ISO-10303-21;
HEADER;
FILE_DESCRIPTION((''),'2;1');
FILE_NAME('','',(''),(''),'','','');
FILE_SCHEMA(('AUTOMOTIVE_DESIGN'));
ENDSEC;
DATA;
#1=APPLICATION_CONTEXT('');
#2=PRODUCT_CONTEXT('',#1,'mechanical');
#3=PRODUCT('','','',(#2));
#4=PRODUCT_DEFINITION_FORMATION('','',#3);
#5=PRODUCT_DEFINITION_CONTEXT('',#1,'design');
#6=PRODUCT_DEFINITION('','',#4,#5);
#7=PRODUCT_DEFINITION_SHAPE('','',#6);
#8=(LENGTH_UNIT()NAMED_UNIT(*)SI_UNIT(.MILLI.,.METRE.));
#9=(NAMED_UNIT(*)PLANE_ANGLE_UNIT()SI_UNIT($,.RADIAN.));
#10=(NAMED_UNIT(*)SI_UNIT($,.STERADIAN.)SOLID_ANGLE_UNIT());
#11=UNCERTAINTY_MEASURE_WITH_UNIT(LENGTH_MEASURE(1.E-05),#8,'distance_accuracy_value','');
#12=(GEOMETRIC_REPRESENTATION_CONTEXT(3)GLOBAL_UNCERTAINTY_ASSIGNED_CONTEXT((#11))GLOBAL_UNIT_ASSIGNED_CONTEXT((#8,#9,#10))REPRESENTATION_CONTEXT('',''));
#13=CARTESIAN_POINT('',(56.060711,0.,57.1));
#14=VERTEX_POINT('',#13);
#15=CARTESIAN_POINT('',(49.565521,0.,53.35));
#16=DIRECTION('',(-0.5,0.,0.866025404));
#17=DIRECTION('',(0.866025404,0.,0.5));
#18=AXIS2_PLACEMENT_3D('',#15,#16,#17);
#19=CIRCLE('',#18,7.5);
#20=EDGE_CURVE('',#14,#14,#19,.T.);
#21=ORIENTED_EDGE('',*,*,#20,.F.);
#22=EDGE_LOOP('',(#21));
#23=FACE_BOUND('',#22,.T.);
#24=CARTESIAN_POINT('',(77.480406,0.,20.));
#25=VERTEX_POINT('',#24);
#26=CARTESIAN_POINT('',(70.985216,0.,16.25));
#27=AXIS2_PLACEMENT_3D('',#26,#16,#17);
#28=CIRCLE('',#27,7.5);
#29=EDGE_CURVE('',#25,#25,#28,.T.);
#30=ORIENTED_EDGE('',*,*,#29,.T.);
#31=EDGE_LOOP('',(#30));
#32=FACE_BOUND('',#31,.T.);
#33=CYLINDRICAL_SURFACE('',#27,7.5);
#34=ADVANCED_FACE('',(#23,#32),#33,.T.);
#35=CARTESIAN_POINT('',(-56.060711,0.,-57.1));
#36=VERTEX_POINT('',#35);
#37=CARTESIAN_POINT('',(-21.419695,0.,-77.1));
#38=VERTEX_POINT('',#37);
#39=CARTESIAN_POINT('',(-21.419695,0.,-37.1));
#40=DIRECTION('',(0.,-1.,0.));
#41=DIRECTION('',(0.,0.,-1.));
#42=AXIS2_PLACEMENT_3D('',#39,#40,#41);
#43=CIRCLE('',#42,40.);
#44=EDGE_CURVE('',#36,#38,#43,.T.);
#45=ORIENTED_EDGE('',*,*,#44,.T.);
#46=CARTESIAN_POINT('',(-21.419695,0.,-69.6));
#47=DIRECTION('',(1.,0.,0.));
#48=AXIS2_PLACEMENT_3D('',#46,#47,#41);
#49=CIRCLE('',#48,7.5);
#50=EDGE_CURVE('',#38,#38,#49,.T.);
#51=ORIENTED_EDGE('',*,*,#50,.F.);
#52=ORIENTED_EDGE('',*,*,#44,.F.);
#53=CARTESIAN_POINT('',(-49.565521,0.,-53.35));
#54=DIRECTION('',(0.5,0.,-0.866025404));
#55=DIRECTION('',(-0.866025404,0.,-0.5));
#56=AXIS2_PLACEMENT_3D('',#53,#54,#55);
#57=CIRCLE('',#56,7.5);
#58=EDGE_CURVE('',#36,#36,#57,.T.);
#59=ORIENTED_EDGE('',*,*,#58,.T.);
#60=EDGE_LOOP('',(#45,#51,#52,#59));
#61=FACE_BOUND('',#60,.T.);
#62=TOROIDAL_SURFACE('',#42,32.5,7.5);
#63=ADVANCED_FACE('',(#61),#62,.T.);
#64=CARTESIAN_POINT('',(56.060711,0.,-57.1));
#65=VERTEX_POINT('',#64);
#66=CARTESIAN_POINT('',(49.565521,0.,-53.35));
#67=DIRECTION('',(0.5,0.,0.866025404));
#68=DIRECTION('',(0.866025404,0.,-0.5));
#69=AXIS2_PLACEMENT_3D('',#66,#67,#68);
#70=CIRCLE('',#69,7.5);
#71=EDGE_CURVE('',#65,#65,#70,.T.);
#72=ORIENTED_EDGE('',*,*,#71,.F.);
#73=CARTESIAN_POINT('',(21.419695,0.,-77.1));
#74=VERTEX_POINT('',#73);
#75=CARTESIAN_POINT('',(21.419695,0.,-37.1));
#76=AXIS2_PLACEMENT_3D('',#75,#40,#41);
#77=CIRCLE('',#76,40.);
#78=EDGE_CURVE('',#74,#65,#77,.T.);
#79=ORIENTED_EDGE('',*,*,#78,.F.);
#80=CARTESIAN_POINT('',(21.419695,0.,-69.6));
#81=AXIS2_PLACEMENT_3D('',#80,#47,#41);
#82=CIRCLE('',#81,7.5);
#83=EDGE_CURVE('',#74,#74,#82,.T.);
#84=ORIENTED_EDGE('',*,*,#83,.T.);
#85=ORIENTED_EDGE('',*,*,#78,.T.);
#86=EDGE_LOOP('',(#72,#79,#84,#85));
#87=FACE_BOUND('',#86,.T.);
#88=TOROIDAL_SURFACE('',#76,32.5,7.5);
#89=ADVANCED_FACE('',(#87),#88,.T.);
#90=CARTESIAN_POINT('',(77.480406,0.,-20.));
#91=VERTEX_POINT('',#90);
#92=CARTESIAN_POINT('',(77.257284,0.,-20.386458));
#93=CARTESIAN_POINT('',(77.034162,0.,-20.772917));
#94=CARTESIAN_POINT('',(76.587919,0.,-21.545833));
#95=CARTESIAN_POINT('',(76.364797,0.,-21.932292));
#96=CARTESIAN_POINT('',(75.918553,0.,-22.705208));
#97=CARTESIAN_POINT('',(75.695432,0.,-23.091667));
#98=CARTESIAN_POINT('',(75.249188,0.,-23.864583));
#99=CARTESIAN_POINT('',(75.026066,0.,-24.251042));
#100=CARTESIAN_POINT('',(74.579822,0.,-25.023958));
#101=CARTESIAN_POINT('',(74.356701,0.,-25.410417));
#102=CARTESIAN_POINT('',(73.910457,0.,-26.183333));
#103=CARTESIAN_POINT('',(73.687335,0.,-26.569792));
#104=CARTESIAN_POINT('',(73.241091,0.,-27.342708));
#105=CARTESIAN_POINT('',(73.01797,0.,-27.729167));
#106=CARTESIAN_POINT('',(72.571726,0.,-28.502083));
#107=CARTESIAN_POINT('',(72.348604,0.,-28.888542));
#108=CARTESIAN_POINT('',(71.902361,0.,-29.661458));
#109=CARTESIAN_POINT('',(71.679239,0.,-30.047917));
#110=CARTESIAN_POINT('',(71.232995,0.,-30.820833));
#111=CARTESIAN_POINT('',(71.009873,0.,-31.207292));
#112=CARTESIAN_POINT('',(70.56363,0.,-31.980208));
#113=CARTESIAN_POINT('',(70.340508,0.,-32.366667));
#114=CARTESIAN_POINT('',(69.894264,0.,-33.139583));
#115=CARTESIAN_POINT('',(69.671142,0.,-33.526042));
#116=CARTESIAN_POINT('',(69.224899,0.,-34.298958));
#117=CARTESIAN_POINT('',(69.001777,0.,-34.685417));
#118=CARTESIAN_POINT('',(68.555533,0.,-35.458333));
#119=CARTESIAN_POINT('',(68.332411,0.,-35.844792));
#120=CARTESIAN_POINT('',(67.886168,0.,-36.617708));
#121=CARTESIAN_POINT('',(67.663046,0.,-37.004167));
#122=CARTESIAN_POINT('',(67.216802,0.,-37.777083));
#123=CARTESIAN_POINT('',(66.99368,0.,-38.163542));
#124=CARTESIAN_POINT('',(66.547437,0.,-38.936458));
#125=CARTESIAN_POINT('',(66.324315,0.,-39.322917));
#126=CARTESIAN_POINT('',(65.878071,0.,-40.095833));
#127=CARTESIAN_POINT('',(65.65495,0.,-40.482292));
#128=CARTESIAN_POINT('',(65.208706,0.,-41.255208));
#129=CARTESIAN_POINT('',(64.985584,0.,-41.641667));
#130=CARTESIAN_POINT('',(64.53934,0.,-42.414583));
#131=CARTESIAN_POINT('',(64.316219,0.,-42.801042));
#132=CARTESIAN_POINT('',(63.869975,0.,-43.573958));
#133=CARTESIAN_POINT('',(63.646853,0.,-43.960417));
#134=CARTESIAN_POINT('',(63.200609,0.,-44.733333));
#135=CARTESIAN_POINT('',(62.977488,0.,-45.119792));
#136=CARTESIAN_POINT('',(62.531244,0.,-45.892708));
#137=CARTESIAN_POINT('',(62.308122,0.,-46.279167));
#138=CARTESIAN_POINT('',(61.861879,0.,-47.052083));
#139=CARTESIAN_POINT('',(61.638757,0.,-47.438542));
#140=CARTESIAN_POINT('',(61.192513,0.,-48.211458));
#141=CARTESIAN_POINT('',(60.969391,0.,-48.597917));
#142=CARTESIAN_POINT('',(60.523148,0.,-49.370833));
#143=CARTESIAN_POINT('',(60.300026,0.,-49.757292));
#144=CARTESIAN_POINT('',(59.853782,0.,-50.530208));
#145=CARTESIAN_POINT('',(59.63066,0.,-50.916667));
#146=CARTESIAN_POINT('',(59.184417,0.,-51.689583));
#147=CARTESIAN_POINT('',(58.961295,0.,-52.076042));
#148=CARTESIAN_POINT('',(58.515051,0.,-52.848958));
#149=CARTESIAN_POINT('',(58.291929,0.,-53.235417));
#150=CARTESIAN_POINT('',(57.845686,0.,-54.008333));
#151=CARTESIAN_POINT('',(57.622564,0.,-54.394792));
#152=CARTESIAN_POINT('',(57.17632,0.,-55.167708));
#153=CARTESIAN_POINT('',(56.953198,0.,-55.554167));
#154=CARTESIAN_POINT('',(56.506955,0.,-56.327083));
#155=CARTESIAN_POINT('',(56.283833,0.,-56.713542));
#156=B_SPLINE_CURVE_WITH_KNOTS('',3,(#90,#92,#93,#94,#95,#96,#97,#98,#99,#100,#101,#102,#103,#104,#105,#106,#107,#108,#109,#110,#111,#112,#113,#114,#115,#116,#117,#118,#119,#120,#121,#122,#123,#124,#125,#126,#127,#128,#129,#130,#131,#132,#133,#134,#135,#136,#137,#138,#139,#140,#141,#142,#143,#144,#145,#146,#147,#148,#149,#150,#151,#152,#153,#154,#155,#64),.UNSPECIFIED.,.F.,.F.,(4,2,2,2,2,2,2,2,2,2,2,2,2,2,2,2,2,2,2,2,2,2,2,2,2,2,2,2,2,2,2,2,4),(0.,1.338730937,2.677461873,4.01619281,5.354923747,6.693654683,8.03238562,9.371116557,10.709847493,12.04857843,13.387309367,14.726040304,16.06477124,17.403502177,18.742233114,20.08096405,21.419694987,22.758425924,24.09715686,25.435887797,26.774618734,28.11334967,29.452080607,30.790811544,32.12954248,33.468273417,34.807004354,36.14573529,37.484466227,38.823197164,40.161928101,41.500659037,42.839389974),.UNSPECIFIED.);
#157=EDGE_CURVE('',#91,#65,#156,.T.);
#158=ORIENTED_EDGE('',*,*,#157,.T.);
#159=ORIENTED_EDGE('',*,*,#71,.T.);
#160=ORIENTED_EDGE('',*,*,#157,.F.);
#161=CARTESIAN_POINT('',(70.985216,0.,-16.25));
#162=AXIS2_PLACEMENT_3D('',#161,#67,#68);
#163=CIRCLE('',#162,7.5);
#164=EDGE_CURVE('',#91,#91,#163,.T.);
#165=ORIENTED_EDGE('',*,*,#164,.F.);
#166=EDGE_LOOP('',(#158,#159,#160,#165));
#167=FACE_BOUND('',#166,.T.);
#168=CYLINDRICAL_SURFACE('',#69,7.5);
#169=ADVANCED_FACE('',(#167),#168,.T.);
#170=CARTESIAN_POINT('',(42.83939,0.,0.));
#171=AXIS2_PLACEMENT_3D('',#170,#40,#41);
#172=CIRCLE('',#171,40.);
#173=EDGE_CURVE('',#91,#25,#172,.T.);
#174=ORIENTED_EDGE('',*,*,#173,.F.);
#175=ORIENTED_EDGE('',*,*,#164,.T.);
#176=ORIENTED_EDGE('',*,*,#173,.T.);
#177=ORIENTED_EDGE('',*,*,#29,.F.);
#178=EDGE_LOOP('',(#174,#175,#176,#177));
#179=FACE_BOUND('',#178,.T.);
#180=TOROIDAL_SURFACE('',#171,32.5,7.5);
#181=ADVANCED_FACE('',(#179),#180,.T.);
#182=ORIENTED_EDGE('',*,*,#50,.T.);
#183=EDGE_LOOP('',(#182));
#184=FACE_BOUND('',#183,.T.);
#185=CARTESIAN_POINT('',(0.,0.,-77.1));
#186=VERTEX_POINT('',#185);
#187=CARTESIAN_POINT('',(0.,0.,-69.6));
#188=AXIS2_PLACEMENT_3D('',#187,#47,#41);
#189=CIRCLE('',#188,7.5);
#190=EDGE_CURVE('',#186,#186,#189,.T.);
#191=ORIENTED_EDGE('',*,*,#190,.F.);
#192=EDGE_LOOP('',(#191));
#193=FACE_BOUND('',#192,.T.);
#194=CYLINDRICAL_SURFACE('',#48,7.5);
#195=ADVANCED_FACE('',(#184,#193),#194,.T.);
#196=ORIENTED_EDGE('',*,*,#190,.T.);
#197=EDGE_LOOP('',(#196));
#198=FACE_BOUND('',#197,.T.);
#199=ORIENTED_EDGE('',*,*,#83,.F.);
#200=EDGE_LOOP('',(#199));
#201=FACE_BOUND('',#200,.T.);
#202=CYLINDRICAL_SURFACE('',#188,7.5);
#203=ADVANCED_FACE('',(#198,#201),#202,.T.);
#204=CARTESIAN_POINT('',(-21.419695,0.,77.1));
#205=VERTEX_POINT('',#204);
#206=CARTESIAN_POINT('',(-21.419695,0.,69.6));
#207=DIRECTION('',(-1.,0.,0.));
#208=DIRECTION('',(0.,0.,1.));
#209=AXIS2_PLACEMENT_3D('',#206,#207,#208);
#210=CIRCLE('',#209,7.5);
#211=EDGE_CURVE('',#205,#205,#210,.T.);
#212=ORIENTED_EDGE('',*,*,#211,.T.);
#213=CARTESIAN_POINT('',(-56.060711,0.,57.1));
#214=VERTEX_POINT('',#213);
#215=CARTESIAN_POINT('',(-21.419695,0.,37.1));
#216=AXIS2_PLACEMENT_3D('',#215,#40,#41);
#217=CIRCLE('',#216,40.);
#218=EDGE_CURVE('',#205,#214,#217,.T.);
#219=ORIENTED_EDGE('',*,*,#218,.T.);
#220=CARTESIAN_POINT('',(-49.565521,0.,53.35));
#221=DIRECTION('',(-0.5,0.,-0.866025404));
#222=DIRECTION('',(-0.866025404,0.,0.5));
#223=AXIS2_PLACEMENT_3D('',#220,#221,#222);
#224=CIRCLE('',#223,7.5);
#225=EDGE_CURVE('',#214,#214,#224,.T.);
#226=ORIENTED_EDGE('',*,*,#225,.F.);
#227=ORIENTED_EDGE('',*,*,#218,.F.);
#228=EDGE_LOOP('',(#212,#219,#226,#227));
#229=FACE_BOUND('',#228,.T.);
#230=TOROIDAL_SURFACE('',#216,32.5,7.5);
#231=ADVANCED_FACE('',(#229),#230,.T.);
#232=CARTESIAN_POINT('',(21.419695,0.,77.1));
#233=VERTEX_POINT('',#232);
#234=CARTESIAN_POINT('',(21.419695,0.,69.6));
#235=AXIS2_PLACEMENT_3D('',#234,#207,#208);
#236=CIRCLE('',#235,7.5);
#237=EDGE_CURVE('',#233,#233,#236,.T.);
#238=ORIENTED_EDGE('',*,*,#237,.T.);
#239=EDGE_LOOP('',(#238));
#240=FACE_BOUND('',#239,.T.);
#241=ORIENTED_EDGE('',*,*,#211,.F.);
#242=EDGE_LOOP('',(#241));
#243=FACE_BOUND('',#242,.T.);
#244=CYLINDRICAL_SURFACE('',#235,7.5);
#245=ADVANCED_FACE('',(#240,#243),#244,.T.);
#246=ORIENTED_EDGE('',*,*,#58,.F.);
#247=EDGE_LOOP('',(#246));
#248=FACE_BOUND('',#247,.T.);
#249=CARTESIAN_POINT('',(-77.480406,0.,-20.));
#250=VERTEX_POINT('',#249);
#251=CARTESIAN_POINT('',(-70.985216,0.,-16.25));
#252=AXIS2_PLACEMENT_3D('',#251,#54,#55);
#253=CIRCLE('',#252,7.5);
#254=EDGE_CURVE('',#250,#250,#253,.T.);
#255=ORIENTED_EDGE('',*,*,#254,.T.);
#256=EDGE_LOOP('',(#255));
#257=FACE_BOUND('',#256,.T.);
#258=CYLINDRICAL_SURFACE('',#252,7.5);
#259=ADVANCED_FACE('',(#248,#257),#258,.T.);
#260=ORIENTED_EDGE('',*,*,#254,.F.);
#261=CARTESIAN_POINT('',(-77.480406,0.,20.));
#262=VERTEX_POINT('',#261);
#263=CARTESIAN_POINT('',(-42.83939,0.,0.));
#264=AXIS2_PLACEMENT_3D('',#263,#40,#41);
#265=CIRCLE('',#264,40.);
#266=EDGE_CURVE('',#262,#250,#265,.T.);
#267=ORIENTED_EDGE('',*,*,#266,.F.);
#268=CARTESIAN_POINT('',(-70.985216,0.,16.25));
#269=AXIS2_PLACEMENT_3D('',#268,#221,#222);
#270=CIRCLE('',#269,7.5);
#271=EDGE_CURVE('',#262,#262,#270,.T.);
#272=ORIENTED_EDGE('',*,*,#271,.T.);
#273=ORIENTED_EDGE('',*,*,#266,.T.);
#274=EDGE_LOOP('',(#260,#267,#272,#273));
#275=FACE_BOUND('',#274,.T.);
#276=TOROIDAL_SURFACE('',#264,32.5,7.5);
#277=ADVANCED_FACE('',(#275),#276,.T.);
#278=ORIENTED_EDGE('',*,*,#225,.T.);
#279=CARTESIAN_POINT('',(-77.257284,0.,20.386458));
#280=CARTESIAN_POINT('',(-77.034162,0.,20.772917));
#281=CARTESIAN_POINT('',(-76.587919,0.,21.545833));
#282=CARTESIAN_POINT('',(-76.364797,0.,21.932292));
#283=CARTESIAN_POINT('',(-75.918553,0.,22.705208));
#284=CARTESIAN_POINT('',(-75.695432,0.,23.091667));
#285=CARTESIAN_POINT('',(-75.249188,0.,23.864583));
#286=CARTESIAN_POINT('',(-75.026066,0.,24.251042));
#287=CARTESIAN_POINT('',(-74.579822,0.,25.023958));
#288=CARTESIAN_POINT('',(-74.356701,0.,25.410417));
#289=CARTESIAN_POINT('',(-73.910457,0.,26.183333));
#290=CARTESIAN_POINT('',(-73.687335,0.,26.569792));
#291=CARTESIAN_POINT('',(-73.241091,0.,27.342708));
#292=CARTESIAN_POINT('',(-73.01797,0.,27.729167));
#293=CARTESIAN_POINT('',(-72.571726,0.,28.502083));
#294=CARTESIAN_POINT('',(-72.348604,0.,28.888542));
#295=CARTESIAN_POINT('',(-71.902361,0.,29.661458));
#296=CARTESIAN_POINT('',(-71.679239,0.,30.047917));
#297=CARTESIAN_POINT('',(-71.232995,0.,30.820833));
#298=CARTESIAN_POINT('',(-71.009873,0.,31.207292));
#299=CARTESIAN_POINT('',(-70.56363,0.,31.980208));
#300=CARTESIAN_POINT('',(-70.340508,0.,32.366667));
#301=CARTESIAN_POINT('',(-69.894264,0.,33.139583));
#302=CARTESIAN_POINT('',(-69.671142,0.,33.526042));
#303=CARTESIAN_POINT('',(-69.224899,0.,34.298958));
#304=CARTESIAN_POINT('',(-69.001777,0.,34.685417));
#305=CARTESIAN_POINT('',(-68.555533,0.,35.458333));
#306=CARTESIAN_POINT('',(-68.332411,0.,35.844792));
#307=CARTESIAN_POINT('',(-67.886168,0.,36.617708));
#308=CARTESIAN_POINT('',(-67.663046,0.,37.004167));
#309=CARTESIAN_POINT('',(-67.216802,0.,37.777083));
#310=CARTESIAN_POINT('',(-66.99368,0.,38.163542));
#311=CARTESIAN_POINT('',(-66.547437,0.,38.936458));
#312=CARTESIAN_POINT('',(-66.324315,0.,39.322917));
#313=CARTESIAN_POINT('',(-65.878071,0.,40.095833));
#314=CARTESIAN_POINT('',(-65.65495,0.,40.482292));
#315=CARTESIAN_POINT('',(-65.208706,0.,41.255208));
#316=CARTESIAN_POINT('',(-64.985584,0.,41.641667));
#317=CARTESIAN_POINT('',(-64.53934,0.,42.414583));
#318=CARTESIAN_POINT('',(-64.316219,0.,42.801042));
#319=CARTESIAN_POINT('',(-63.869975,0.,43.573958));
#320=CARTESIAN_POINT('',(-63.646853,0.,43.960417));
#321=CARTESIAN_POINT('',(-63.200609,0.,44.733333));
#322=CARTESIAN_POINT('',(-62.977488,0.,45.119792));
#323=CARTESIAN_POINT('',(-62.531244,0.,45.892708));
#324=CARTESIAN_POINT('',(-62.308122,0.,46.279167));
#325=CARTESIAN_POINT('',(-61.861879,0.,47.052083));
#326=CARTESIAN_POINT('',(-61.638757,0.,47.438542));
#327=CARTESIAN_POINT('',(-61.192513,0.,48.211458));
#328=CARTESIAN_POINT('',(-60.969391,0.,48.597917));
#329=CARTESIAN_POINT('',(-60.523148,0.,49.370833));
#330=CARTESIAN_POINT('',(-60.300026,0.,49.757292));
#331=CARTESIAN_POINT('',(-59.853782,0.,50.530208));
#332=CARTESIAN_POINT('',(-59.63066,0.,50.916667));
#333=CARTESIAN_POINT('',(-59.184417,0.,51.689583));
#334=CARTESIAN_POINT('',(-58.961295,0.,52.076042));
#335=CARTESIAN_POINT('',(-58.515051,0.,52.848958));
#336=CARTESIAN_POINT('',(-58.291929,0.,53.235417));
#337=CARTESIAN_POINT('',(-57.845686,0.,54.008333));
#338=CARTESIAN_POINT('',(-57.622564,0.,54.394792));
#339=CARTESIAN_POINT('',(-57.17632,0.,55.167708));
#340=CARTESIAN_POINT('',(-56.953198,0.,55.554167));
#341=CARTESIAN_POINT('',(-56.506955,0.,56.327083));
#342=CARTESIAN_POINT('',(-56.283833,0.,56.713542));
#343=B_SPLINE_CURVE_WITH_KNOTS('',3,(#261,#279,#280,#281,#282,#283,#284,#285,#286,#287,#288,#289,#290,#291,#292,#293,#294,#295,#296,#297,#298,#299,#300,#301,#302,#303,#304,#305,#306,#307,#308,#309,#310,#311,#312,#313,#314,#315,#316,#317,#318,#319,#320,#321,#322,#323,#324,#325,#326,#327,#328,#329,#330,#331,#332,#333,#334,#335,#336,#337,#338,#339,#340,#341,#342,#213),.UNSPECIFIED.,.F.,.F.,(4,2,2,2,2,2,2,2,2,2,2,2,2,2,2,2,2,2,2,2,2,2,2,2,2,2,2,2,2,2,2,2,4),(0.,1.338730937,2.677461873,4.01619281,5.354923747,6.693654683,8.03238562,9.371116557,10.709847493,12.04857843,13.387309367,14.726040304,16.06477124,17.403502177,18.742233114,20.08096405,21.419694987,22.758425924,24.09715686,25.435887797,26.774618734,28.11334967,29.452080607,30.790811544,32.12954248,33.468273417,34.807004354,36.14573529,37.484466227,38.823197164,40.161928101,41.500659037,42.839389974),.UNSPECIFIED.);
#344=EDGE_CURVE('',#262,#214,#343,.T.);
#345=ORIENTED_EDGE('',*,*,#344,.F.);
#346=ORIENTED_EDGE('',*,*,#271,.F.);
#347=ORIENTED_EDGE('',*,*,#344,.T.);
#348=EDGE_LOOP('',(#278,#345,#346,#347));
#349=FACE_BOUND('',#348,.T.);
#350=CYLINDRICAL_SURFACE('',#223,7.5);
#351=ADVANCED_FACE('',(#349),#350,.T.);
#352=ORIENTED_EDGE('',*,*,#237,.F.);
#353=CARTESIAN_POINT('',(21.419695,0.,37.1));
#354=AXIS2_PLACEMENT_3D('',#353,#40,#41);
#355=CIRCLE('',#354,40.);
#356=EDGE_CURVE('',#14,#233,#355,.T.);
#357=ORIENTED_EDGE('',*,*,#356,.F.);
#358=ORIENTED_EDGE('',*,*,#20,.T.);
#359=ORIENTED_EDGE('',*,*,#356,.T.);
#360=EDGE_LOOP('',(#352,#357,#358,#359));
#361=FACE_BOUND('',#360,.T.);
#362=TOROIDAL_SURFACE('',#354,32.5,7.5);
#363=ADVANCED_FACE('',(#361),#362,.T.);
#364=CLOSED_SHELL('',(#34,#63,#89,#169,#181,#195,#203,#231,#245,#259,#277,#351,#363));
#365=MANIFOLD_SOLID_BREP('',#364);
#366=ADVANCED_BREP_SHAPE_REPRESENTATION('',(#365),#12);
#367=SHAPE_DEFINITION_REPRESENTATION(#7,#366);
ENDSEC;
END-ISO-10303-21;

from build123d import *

# Parameters (mm, degrees)
SKETCH2_R = 7.5


with BuildPart() as part:
    # Sweep1: sweep along a path in Sketch1
    with BuildLine(Plane(origin=(0, 0, 0), x_dir=(1, 0, 0), z_dir=(0, 1, 0))) as sweep1_path:
        Line((64.490025068, 12.5), (43.070330082, 49.6))
        ThreePointArc((43.070330082, 49.6), (33.919694987, 58.750635095), (21.419694987, 62.1))
        Line((21.419694987, 62.1), (-21.419694987, 62.1))
        ThreePointArc((-21.419694987, 62.1), (-33.919694987, 58.750635095), (-43.070330082, 49.6))
        Line((-43.070330082, 49.6), (-64.490025068, 12.5))
        ThreePointArc((-64.490025068, 12.5), (-67.839389974, 0), (-64.490025068, -12.5))
        Line((-64.490025068, -12.5), (-43.070330082, -49.6))
        ThreePointArc((-43.070330082, -49.6), (-33.919694987, -58.750635095), (-21.419694987, -62.1))
        Line((-21.419694987, -62.1), (21.419694987, -62.1))
        ThreePointArc((21.419694987, -62.1), (33.919694987, -58.750635095), (43.070330082, -49.6))
        Line((43.070330082, -49.6), (64.490025068, -12.5))
        ThreePointArc((64.490025068, -12.5), (67.839389974, 0), (64.490025068, 12.5))
    # Sketch2 → Sweep1 (sweep)
    with BuildSketch(Plane(origin=(0, 0, 0), x_dir=(0, 0, -1), z_dir=(1, 0, 0))):
        with Locations((69.6, 0)):
            Circle(SKETCH2_R)
    sweep(path=sweep1_path.line)


solid = part.part
